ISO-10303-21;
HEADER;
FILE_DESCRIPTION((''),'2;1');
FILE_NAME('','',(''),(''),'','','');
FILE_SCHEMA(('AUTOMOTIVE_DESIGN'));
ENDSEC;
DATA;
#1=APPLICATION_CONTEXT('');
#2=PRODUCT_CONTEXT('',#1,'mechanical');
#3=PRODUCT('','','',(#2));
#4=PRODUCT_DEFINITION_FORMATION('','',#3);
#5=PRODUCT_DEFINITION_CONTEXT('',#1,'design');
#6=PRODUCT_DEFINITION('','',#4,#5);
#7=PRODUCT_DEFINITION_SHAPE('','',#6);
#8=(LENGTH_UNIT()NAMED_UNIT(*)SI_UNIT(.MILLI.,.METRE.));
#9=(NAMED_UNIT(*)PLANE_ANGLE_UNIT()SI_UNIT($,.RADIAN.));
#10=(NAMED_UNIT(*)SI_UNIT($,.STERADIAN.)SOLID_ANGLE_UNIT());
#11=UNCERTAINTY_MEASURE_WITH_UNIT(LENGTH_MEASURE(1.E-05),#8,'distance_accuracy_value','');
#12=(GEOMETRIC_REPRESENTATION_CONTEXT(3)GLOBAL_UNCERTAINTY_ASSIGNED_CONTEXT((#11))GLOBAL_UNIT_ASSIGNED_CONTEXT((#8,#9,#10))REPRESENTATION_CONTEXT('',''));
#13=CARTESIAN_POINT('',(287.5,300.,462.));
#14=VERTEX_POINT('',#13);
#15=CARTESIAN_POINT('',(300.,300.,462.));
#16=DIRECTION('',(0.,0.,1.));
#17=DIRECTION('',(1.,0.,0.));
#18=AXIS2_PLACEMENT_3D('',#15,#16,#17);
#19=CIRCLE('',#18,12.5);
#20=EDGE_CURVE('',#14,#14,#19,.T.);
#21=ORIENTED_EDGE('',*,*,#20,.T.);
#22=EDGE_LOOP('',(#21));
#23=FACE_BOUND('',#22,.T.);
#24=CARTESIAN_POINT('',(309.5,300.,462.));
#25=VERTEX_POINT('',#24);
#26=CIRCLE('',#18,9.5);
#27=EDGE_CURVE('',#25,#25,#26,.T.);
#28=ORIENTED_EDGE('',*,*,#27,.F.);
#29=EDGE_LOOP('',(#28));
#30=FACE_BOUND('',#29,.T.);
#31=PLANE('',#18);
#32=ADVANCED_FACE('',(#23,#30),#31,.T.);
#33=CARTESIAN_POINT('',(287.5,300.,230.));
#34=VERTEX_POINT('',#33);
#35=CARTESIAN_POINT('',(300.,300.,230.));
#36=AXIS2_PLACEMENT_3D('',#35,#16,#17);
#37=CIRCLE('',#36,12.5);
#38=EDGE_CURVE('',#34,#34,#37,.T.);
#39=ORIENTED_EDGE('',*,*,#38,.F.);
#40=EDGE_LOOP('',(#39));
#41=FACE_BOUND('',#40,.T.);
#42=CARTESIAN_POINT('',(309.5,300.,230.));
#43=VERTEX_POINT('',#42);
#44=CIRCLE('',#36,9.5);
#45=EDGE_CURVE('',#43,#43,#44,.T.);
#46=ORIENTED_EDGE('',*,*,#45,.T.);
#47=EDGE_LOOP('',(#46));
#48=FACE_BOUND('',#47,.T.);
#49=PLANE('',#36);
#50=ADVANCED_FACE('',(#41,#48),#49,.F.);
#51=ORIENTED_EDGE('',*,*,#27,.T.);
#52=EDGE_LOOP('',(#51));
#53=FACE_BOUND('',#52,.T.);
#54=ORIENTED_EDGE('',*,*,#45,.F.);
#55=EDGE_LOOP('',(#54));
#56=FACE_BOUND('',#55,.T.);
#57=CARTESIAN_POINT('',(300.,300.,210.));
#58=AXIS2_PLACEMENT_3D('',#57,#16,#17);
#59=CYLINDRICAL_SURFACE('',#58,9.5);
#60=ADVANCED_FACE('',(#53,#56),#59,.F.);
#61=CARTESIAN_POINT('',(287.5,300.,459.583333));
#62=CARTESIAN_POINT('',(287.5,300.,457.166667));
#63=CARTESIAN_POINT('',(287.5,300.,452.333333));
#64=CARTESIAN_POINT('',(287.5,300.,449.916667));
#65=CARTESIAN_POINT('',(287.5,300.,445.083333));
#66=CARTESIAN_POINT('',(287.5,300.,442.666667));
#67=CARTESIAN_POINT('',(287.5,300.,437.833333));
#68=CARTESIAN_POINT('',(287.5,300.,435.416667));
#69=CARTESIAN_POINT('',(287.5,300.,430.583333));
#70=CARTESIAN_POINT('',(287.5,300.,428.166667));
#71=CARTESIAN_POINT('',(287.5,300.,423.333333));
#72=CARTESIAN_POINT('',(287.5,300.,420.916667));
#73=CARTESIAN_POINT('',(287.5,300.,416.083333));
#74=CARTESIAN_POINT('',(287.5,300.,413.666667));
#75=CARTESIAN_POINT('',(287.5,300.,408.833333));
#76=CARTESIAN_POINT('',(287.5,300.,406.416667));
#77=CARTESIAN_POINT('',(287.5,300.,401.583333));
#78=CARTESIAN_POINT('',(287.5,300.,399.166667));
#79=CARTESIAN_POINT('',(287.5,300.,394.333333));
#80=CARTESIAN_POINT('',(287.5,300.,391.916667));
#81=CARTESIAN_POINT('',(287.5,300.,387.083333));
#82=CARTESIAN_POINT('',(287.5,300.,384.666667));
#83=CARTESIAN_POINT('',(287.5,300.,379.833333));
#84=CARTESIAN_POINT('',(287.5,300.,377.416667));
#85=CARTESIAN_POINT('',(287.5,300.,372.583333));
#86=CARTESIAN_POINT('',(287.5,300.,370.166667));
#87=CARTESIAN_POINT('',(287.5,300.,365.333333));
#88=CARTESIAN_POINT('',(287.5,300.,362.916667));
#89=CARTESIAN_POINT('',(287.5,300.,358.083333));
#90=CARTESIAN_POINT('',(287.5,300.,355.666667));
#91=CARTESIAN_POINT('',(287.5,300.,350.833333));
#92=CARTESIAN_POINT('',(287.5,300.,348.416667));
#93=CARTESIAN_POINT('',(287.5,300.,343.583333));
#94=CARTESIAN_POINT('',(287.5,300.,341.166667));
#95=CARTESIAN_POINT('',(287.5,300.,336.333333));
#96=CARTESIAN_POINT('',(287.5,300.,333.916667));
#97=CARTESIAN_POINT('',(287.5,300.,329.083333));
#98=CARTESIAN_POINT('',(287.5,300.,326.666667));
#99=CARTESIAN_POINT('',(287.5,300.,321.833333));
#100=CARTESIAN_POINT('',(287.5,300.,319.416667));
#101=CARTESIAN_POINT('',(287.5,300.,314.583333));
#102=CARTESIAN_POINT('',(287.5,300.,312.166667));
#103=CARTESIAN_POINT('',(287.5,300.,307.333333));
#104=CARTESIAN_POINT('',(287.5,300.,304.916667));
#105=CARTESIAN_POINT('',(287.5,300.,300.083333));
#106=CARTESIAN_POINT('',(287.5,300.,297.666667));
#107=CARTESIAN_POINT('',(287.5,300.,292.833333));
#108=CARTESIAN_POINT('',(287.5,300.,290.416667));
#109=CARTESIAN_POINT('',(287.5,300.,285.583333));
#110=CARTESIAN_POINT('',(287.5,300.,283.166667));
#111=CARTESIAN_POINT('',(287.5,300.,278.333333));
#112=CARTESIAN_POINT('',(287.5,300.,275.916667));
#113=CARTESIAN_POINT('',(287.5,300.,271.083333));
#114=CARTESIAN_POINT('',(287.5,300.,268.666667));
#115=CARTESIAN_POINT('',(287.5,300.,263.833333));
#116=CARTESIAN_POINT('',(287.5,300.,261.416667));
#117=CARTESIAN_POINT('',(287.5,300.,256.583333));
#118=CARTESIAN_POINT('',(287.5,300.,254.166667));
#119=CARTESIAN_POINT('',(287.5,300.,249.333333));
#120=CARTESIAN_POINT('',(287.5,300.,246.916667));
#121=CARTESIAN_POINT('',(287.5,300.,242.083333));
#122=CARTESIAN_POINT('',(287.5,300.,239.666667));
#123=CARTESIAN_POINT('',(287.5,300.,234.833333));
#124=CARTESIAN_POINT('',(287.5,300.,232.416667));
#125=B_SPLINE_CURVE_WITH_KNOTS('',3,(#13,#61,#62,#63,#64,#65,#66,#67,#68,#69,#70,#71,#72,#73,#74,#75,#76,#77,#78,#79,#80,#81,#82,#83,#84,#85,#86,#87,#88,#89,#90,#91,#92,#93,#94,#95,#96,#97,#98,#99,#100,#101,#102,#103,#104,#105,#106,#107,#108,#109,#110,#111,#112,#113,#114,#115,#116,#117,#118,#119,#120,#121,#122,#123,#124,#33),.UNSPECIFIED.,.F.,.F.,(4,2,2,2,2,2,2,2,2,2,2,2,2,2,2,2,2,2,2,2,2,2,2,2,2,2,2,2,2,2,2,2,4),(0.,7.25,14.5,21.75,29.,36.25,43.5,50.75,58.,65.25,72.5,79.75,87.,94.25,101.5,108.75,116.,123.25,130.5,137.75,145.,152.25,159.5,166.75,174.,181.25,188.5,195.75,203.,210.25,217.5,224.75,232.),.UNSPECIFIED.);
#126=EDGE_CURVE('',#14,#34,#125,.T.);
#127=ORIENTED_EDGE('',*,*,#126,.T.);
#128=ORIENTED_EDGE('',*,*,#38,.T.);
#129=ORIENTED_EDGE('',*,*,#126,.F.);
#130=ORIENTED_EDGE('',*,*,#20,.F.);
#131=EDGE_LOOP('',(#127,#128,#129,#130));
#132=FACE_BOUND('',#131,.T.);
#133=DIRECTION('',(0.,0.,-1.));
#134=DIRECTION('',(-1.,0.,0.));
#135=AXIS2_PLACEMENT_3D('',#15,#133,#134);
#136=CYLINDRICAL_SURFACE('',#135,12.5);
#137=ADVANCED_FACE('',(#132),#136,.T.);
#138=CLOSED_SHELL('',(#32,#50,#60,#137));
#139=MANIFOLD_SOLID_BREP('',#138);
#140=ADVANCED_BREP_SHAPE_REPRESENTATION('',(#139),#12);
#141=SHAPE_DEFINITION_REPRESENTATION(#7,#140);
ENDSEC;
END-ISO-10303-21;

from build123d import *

# Parameters (mm, degrees)
SKETCH1_R           = 12.5
BOSS_EXTRUDE1_DEPTH = 232
SKETCH2_R           = 9.5
CUT_EXTRUDE1_DEPTH  = 252


with BuildPart() as part:
    # Sketch1 → Boss-Extrude1 (new body)
    with BuildSketch(Plane.XY.offset(230)):
        with Locations(Location((300, 300, 0), (0, 0, 180))):
            Circle(SKETCH1_R)
    extrude(amount=BOSS_EXTRUDE1_DEPTH)

    # Sketch2 → Cut-Extrude1 (cut)
    with BuildSketch(Plane.XY.offset(462)):
        with Locations((300, 300)):
            Circle(SKETCH2_R)
    extrude(amount=-CUT_EXTRUDE1_DEPTH, mode=Mode.SUBTRACT)


solid = part.part
